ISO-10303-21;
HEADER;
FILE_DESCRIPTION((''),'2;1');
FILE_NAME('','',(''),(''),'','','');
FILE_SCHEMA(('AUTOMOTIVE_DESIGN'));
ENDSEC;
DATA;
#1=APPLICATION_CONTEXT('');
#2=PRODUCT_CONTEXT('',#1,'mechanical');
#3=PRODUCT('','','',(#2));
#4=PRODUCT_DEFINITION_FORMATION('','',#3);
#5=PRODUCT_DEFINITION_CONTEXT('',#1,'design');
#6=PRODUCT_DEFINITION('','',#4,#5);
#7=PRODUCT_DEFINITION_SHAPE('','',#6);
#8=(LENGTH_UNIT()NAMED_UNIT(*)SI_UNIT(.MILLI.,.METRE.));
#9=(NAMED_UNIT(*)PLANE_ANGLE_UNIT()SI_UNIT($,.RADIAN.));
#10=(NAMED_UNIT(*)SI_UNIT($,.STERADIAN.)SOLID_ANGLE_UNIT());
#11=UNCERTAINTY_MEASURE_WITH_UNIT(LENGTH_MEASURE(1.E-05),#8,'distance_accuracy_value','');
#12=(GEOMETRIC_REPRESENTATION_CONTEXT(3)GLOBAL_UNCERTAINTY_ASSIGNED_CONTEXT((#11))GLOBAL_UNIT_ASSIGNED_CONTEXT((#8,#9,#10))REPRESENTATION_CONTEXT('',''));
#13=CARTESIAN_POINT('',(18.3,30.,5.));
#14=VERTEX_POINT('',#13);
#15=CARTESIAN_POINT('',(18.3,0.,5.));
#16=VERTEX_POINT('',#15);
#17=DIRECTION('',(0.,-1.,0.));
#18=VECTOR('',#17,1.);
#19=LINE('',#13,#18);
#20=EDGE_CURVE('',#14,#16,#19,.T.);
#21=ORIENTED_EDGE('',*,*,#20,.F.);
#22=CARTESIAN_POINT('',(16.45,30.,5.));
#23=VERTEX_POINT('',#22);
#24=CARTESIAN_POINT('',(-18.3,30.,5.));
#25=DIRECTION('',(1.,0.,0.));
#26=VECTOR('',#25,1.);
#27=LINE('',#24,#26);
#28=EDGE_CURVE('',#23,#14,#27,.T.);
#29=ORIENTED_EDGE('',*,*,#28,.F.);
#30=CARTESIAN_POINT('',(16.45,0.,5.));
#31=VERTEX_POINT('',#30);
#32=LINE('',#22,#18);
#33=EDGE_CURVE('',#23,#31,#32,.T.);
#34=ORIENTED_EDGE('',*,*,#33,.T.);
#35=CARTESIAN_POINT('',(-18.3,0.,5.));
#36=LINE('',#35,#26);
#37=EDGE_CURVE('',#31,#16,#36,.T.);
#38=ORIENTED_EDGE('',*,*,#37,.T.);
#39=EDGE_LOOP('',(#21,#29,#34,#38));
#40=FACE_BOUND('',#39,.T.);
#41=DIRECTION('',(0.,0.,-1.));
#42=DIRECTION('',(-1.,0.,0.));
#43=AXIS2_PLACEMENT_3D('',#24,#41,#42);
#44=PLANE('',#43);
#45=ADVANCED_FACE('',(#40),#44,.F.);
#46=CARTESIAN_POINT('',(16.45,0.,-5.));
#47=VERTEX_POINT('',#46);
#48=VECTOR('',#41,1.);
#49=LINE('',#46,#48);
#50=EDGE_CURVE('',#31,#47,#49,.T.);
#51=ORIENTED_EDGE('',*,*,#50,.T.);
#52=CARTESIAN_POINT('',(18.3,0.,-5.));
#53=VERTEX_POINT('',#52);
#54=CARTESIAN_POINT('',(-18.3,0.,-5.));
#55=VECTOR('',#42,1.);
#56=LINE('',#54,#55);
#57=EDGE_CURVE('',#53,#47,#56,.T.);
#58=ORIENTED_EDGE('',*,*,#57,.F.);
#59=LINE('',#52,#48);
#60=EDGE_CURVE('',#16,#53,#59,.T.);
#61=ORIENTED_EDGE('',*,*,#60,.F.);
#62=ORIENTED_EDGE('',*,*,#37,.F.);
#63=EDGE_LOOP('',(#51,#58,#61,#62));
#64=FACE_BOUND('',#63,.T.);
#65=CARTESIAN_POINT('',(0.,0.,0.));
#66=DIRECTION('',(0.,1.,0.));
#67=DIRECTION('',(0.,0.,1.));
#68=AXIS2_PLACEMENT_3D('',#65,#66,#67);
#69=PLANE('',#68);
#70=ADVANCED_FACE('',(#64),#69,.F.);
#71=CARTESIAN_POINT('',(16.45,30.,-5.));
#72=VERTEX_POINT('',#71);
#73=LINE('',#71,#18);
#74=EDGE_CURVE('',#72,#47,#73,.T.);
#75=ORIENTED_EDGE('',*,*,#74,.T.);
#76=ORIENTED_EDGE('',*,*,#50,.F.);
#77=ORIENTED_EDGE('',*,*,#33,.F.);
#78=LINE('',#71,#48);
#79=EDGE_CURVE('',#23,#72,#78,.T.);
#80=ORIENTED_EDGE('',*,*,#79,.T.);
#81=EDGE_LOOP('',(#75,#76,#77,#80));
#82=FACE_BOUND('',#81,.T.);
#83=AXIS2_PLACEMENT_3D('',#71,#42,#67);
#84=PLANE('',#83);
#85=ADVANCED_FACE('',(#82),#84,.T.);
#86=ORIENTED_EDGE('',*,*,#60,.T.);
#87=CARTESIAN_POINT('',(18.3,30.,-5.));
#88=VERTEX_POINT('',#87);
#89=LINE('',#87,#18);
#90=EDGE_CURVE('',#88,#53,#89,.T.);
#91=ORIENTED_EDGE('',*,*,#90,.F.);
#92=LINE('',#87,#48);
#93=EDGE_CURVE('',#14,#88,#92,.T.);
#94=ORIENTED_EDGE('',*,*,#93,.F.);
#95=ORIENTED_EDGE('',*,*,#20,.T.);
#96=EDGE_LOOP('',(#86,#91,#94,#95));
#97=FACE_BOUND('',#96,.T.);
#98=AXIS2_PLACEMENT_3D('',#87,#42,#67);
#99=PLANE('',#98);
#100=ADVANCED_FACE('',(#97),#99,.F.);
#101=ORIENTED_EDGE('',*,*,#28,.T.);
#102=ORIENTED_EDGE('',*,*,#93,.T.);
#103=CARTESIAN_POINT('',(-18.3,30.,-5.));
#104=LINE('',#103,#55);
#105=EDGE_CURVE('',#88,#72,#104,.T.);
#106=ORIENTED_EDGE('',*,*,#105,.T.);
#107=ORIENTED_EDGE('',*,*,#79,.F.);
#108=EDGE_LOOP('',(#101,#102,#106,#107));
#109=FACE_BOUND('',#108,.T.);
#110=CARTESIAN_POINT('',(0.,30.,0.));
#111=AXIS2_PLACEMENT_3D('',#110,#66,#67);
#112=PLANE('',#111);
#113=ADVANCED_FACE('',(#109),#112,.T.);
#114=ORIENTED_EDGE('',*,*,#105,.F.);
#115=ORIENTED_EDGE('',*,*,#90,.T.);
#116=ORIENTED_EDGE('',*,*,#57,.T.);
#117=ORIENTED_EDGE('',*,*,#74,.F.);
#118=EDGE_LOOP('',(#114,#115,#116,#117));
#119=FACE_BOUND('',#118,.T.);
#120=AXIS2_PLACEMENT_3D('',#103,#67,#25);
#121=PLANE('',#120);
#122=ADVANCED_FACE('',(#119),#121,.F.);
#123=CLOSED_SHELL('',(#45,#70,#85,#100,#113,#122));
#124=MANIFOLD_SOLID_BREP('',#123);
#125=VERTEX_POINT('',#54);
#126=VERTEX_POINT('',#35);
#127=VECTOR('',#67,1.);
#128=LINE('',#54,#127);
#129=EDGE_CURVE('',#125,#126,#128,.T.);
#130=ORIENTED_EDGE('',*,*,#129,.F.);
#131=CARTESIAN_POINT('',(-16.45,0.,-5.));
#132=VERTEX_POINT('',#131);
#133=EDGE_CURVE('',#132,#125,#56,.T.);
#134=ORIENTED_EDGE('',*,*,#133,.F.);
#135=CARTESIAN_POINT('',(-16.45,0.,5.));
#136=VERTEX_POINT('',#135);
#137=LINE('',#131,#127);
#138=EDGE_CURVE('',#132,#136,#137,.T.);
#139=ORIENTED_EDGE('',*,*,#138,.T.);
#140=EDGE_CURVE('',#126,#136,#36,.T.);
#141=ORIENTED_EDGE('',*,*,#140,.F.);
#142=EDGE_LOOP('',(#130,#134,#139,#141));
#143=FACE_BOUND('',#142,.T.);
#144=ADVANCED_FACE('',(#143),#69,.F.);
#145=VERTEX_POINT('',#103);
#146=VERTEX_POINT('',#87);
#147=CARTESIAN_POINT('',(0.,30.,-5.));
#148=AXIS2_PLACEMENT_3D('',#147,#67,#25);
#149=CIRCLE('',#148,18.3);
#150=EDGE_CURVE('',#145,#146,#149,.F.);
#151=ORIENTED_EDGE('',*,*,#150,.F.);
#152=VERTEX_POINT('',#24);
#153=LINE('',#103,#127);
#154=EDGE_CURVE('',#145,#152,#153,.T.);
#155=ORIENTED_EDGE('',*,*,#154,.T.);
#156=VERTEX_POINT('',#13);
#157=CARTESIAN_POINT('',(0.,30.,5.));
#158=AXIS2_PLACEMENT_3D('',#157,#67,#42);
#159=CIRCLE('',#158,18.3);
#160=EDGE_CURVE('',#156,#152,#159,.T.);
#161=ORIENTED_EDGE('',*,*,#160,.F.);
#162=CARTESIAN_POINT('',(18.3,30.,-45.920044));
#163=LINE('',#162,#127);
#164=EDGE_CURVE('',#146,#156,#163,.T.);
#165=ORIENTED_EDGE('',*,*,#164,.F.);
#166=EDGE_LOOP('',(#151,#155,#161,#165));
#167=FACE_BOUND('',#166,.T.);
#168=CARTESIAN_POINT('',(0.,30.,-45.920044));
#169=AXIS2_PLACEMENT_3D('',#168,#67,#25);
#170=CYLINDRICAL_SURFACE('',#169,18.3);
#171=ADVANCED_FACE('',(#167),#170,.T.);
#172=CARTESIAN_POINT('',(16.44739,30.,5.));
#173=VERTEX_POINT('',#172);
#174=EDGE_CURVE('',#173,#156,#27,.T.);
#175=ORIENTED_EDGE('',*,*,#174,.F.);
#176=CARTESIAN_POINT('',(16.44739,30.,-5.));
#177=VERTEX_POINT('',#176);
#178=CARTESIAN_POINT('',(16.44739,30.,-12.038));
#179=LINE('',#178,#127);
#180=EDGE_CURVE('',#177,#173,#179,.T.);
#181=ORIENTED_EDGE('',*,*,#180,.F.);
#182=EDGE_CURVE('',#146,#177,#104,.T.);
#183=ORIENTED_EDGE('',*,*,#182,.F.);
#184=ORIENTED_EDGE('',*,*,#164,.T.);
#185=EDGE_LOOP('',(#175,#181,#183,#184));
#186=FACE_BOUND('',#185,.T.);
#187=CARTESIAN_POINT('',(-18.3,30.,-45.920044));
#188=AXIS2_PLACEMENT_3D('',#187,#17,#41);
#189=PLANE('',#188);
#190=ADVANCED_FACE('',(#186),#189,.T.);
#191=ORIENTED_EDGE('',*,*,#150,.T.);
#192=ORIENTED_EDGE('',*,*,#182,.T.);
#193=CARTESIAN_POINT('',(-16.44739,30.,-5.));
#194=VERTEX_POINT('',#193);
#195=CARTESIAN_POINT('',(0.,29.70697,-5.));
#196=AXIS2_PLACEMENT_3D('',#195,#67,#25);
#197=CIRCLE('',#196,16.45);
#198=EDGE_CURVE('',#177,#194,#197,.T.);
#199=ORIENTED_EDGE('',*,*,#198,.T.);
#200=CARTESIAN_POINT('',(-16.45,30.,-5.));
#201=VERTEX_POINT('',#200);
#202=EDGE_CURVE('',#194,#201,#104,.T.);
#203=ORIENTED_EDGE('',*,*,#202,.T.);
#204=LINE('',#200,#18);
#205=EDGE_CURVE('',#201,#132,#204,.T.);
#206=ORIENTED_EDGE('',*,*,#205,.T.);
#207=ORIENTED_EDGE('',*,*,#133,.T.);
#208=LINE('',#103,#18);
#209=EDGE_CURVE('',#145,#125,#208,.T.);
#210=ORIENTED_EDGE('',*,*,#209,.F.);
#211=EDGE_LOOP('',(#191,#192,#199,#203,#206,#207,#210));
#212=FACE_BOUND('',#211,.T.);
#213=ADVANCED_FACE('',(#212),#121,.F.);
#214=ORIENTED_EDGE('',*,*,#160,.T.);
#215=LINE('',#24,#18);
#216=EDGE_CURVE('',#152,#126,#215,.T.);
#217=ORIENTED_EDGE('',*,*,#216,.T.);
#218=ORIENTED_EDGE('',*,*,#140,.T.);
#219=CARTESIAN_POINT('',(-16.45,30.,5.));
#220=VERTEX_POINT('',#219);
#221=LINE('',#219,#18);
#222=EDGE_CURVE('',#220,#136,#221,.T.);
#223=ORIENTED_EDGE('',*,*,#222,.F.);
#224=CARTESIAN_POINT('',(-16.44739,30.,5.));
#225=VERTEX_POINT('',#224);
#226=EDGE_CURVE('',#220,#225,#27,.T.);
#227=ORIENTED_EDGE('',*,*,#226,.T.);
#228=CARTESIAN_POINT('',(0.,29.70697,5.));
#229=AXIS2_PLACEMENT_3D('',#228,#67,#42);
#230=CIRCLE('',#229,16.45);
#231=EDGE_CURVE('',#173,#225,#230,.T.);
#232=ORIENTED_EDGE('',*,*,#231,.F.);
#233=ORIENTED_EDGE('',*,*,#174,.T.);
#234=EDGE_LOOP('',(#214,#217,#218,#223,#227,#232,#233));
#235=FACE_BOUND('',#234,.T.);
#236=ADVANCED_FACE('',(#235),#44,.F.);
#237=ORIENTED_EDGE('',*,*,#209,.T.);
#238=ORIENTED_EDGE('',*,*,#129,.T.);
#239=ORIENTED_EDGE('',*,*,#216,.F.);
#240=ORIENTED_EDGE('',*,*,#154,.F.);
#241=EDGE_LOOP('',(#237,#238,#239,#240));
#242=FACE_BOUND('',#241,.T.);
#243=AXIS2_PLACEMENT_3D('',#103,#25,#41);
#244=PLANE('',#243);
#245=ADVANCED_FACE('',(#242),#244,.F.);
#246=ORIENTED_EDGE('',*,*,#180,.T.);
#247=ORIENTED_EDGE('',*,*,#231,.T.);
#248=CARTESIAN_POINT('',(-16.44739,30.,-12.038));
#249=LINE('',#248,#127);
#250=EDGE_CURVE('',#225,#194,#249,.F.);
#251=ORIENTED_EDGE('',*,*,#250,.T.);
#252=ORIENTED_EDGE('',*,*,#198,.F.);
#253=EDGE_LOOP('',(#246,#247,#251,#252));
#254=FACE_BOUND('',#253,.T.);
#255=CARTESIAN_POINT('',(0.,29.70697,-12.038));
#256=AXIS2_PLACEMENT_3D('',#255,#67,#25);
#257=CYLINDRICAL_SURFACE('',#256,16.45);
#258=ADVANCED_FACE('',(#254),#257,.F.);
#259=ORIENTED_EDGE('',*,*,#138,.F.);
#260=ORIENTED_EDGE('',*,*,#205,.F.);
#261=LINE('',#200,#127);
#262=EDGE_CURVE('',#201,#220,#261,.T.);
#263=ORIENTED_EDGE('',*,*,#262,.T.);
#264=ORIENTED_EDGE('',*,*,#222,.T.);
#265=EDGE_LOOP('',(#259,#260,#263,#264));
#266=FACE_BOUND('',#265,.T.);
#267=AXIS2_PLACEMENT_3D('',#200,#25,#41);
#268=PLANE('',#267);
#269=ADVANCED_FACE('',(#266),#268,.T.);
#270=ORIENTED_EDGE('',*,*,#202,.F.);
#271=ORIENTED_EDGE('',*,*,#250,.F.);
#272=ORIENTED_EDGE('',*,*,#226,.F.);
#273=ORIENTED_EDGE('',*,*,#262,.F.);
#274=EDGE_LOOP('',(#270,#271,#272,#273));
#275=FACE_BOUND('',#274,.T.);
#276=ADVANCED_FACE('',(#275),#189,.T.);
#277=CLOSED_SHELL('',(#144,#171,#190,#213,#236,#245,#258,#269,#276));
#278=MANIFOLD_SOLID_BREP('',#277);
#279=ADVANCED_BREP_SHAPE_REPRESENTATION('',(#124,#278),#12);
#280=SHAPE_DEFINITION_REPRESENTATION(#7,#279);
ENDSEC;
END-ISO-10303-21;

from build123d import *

# Parameters (mm, degrees)
SKETCH1_W           = 36.6
SKETCH1_H           = 10
BOSS_EXTRUDE1_DEPTH = 30
SKETCH2_W           = 32.9
SKETCH2_H           = 10
CUT_EXTRUDE1_DEPTH  = 36.494929215
BOSS_EXTRUDE3_DEPTH = 10
CUT_EXTRUDE2_DEPTH  = 17.038


with BuildPart() as part:
    # Sketch1 → Boss-Extrude1 (new body)
    with BuildSketch(Plane(origin=(0, 0, 0), x_dir=(1, 0, 0), z_dir=(0, 1, 0))):
        Rectangle(SKETCH1_W, SKETCH1_H)
    extrude(amount=BOSS_EXTRUDE1_DEPTH)

    # Sketch2 → Cut-Extrude1 (cut, through all)
    with BuildSketch(Plane(origin=(0, 0, 0), x_dir=(1, 0, 0), z_dir=(0, 1, 0))):
        Rectangle(SKETCH2_W, SKETCH2_H)
    extrude(amount=CUT_EXTRUDE1_DEPTH, mode=Mode.SUBTRACT)


with BuildPart() as cut_extrude1_piece_1:
    # of the separate pieces the step leaves, piece 1, a body of its own (cut_extrude1_pieces)
    add(part.part.solids().sort_by_distance((16.45, 0, -5))[0])


with BuildPart() as cut_extrude1_piece_2:
    # of the separate pieces the step leaves, piece 2, a body of its own (cut_extrude1_pieces)
    add(part.part.solids().sort_by_distance((-18.3, 0, -5))[0])

    # Sketch3 → Boss-Extrude3 (add)
    with BuildSketch(Plane.XY.offset(5)):
        with BuildLine():
            Line((-18.3, 30), (18.3, 30))
            ThreePointArc((18.3, 30), (0, 48.3), (-18.3, 30))
        make_face()
    extrude(amount=-BOSS_EXTRUDE3_DEPTH)

    # Sketch4 → Cut-Extrude2 (cut)
    with BuildSketch(Plane.XY.offset(5)):
        with BuildLine():
            Line((-16.45, 29.706969737), (16.45, 29.706969737))
            ThreePointArc((16.45, 29.706969737), (0, 46.156969737), (-16.45, 29.706969737))
        make_face()
    extrude(amount=-CUT_EXTRUDE2_DEPTH, mode=Mode.SUBTRACT)


solid = Compound([cut_extrude1_piece_1.part, cut_extrude1_piece_2.part])
